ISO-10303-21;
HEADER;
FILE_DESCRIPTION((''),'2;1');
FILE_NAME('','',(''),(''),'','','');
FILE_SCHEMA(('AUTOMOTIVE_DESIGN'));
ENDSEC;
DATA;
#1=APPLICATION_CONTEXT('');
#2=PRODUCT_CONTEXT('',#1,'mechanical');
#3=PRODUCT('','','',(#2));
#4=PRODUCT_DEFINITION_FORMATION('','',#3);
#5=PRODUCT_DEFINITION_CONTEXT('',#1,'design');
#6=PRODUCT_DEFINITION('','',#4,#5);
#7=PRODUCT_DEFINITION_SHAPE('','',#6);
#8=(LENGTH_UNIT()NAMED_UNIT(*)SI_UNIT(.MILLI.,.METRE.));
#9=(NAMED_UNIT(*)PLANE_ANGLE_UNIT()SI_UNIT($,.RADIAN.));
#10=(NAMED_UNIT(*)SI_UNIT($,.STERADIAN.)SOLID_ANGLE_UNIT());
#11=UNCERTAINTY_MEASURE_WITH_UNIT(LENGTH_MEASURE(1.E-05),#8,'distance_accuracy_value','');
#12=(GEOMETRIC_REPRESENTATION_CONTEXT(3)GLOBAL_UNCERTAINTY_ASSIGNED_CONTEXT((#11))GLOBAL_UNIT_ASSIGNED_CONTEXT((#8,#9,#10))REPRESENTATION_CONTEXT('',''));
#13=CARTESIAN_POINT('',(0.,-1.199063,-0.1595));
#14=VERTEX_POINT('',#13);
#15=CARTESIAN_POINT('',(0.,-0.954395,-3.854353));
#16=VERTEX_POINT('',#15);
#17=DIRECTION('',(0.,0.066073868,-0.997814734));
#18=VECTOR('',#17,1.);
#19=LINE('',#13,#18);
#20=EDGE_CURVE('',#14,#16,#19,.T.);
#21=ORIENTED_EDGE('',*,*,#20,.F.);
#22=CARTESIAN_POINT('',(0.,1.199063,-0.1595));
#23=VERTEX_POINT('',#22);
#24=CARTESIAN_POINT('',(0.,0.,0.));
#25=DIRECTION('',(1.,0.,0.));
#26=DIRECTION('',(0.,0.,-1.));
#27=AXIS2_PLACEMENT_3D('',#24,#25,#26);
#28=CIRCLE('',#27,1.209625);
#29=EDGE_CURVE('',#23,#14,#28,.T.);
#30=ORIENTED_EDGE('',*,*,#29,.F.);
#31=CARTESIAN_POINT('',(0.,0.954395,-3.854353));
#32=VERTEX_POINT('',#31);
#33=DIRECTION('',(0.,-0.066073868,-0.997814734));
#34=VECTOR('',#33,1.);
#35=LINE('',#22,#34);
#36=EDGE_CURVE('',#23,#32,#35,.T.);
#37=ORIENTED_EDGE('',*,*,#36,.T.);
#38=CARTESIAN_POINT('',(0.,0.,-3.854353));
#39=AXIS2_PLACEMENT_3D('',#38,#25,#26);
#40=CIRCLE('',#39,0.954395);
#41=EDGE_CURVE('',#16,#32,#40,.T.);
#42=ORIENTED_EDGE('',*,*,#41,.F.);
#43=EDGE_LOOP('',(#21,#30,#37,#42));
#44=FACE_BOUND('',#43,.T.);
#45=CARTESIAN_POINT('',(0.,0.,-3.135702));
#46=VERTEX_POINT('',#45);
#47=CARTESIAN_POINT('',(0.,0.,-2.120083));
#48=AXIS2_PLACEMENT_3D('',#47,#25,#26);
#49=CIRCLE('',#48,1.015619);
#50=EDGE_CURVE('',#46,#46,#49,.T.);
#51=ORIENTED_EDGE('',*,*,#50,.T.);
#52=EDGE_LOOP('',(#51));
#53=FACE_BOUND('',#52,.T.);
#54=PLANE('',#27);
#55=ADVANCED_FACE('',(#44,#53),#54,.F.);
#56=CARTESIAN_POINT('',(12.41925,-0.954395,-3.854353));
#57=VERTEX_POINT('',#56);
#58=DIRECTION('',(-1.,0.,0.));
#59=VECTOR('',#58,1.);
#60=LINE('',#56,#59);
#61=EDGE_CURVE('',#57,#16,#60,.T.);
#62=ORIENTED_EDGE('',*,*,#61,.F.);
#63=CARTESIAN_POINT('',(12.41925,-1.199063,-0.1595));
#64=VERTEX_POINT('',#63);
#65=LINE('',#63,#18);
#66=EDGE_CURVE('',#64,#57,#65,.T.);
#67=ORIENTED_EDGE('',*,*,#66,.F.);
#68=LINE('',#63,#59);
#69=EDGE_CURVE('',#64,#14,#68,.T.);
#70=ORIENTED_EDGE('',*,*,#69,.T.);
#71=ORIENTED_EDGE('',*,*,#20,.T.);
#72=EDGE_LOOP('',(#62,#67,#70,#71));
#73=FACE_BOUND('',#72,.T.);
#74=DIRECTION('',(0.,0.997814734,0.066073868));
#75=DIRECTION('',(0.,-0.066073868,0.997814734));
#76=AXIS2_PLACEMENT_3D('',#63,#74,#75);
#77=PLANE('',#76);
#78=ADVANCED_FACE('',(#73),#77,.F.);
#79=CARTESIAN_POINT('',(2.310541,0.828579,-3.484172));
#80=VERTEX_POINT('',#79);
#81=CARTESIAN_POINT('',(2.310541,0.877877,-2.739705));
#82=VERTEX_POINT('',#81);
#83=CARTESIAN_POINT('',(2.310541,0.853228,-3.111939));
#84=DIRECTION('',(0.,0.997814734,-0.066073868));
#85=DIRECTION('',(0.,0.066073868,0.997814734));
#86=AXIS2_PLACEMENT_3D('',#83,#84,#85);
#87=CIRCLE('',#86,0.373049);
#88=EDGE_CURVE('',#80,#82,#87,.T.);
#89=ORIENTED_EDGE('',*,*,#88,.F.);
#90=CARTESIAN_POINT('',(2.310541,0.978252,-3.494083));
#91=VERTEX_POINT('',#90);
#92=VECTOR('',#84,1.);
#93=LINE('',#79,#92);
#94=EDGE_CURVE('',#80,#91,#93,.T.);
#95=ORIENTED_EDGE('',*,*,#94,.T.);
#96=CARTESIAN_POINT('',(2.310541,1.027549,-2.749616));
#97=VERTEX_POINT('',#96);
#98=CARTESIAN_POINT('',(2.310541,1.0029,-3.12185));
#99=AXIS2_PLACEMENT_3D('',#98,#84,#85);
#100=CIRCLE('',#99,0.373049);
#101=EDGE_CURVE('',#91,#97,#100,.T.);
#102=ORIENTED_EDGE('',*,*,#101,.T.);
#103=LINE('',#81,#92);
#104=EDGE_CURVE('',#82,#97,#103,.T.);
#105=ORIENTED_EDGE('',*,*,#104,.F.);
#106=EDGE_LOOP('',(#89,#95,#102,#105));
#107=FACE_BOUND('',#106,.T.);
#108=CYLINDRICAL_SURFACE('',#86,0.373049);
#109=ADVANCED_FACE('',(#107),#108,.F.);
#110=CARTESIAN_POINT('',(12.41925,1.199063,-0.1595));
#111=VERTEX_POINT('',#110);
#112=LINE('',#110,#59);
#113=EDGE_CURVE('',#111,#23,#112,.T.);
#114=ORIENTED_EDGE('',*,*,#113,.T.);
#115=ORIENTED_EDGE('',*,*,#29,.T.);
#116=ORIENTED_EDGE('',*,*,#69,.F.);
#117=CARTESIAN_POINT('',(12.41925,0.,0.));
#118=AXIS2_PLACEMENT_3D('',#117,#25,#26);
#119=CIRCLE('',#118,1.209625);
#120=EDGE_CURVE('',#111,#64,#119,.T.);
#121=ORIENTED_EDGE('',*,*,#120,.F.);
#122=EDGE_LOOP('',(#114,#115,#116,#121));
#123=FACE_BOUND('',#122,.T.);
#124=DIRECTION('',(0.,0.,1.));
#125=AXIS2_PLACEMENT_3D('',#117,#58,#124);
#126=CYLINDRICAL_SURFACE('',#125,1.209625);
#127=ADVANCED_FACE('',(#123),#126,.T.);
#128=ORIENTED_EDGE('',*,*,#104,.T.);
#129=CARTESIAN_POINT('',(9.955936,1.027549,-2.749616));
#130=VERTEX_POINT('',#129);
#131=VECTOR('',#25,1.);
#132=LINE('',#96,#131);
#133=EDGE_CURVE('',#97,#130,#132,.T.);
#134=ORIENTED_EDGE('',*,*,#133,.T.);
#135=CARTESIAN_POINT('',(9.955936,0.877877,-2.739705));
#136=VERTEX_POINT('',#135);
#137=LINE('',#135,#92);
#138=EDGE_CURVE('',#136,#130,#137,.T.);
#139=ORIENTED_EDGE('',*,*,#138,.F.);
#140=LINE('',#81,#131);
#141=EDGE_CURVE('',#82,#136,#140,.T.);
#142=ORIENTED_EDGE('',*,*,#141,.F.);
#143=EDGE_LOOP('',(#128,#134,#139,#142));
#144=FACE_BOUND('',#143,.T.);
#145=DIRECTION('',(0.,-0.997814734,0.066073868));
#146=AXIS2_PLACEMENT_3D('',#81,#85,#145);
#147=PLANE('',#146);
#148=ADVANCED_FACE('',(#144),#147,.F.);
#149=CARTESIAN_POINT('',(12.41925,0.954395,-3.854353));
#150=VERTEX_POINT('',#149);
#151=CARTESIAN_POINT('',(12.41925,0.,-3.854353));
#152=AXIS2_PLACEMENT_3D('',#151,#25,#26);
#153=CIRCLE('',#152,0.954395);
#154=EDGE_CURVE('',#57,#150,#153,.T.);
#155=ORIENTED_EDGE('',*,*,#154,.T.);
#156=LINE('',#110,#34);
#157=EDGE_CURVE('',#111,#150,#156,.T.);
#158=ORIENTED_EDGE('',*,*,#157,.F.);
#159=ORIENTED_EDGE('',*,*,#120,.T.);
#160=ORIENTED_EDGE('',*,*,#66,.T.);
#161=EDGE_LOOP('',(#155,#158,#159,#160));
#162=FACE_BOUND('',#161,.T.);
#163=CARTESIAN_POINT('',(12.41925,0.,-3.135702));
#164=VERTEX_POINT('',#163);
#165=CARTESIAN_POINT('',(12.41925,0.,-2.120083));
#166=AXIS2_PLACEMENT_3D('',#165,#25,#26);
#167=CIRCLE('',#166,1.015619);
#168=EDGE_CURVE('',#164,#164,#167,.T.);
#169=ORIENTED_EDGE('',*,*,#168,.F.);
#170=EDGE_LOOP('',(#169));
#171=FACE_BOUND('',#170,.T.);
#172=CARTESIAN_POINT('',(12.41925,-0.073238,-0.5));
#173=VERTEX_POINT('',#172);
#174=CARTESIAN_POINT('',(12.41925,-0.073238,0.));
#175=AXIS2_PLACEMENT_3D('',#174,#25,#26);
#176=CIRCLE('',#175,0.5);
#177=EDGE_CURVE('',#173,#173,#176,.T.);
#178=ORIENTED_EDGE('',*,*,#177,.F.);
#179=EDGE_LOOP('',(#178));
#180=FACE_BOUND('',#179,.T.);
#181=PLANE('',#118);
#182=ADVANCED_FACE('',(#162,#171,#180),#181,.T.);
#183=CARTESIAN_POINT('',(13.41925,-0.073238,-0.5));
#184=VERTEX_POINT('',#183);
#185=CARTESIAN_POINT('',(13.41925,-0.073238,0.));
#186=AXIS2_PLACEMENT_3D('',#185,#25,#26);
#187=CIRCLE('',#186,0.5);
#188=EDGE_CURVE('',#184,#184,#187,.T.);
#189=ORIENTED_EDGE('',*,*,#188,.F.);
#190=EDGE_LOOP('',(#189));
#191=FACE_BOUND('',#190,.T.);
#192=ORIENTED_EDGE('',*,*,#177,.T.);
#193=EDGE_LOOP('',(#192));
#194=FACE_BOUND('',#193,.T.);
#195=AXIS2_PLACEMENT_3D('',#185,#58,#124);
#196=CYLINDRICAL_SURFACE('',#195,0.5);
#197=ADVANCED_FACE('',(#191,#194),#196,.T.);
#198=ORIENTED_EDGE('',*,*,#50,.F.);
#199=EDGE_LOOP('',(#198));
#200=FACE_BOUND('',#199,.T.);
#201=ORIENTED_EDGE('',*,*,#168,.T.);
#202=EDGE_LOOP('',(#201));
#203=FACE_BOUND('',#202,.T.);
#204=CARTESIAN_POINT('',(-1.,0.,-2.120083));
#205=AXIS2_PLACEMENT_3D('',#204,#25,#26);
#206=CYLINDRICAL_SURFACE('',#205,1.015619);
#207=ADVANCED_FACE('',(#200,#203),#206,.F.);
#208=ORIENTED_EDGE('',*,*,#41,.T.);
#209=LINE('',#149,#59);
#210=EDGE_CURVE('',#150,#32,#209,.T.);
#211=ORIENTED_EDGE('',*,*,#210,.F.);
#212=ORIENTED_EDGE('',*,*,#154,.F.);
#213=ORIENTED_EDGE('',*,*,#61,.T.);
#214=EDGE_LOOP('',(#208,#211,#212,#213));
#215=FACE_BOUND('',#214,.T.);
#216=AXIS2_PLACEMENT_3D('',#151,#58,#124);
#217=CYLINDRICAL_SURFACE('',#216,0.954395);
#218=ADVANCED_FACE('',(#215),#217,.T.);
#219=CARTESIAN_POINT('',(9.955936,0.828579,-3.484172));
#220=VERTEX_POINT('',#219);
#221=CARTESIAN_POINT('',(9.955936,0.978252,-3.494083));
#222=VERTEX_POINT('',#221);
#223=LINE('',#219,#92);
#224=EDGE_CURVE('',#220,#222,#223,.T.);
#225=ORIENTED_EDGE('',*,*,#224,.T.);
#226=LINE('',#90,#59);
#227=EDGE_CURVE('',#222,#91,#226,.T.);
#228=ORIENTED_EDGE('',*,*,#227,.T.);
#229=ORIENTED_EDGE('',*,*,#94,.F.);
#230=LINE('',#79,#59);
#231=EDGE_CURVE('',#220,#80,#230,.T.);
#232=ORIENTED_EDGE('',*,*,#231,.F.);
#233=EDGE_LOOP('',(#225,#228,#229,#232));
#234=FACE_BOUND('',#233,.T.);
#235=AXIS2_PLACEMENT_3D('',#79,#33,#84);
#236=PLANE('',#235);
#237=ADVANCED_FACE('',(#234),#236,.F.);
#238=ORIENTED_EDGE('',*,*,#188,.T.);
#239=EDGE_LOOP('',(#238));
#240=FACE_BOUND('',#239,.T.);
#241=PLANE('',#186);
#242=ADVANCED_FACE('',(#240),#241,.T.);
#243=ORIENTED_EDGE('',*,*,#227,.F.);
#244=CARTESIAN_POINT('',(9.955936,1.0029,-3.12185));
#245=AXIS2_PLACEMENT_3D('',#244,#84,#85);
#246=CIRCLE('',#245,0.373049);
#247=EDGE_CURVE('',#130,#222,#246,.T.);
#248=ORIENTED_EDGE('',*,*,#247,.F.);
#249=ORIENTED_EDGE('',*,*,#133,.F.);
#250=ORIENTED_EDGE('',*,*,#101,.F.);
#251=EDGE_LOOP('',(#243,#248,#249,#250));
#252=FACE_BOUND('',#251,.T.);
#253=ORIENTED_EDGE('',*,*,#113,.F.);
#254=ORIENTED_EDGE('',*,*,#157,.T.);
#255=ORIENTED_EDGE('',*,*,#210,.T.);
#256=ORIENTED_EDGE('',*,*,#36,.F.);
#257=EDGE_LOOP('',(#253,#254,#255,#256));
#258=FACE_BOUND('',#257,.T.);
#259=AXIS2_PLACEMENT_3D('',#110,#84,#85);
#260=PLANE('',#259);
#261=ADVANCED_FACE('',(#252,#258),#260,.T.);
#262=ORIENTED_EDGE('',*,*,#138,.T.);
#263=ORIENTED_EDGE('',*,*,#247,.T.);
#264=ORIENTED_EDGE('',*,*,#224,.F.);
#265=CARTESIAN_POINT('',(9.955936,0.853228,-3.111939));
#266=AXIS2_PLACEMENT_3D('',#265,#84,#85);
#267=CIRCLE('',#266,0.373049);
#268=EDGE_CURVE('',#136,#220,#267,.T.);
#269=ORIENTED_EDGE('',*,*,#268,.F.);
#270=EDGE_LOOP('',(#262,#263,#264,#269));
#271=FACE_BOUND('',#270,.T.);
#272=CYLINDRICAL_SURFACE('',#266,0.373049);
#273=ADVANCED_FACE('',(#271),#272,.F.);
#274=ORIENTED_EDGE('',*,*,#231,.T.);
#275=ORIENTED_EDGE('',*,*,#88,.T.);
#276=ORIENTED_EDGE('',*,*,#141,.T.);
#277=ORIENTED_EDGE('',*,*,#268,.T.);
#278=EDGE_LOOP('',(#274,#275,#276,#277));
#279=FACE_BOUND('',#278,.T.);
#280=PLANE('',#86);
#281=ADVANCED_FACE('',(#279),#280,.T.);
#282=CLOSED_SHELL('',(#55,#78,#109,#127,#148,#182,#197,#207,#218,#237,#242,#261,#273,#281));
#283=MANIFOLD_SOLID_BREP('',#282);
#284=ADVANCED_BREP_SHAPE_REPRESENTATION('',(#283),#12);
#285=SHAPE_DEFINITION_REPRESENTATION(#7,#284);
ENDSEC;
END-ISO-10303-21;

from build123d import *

# Parameters (mm, degrees)
BOSS_EXTRUDE1_DEPTH = 12.419249514
SKETCH3_R           = 1.015618984
CUT_EXTRUDE1_DEPTH  = 13.419249514
SKETCH4_R           = 0.5
BOSS_EXTRUDE4_DEPTH = 1
CUT_EXTRUDE4_DEPTH  = 0.15


with BuildPart() as part:
    # Sketch2 → Boss-Extrude1 (new body)
    with BuildSketch(Plane(origin=(0, 0, 0), x_dir=(0, 0, -1), z_dir=(1, 0, 0))):
        with BuildLine():
            Line((0.159499861, 1.199062904), (3.854352819, 0.954395011))
            ThreePointArc((3.854352819, 0.954395011), (4.80874783, 0), (3.854352819, -0.954395011))
            Line((3.854352819, -0.954395011), (0.159499861, -1.199062904))
            ThreePointArc((0.159499861, -1.199062904), (-1.209624757, 0), (0.159499861, 1.199062904))
        make_face()
    extrude(amount=BOSS_EXTRUDE1_DEPTH)

    # Sketch3 → Cut-Extrude1 (cut)
    with BuildSketch(Plane(origin=(12.419249514, 0, 0), x_dir=(0, 0, -1), z_dir=(1, 0, 0))):
        with Locations((2.120083087, 0)):
            Circle(SKETCH3_R)
    extrude(amount=-CUT_EXTRUDE1_DEPTH, mode=Mode.SUBTRACT)

    # Sketch4 → Boss-Extrude4 (add)
    with BuildSketch(Plane(origin=(12.419249514, -0.073237878, 0), x_dir=(0, 0, -1), z_dir=(1, 0, 0))):
        Circle(SKETCH4_R)
    extrude(amount=BOSS_EXTRUDE4_DEPTH)

    # Sketch7 → Cut-Extrude4 (cut)
    with BuildSketch(Plane(origin=(0, 1.20434383, -0.079749931), x_dir=(1, 0, 0), z_dir=(0, 0.9978147342638661, -0.06607386840446525))):
        with BuildLine():
            Line((2.310540733, 3.421811002), (9.955936015, 3.421811002))
            ThreePointArc((9.955936015, 3.421811002), (10.328984883, 3.048762133), (9.955936015, 2.675713265))
            Line((9.955936015, 2.675713265), (2.310540733, 2.675713265))
            ThreePointArc((2.310540733, 2.675713265), (1.937491864, 3.048762133), (2.310540733, 3.421811002))
        make_face()
    extrude(amount=-CUT_EXTRUDE4_DEPTH, mode=Mode.SUBTRACT)


solid = part.part
